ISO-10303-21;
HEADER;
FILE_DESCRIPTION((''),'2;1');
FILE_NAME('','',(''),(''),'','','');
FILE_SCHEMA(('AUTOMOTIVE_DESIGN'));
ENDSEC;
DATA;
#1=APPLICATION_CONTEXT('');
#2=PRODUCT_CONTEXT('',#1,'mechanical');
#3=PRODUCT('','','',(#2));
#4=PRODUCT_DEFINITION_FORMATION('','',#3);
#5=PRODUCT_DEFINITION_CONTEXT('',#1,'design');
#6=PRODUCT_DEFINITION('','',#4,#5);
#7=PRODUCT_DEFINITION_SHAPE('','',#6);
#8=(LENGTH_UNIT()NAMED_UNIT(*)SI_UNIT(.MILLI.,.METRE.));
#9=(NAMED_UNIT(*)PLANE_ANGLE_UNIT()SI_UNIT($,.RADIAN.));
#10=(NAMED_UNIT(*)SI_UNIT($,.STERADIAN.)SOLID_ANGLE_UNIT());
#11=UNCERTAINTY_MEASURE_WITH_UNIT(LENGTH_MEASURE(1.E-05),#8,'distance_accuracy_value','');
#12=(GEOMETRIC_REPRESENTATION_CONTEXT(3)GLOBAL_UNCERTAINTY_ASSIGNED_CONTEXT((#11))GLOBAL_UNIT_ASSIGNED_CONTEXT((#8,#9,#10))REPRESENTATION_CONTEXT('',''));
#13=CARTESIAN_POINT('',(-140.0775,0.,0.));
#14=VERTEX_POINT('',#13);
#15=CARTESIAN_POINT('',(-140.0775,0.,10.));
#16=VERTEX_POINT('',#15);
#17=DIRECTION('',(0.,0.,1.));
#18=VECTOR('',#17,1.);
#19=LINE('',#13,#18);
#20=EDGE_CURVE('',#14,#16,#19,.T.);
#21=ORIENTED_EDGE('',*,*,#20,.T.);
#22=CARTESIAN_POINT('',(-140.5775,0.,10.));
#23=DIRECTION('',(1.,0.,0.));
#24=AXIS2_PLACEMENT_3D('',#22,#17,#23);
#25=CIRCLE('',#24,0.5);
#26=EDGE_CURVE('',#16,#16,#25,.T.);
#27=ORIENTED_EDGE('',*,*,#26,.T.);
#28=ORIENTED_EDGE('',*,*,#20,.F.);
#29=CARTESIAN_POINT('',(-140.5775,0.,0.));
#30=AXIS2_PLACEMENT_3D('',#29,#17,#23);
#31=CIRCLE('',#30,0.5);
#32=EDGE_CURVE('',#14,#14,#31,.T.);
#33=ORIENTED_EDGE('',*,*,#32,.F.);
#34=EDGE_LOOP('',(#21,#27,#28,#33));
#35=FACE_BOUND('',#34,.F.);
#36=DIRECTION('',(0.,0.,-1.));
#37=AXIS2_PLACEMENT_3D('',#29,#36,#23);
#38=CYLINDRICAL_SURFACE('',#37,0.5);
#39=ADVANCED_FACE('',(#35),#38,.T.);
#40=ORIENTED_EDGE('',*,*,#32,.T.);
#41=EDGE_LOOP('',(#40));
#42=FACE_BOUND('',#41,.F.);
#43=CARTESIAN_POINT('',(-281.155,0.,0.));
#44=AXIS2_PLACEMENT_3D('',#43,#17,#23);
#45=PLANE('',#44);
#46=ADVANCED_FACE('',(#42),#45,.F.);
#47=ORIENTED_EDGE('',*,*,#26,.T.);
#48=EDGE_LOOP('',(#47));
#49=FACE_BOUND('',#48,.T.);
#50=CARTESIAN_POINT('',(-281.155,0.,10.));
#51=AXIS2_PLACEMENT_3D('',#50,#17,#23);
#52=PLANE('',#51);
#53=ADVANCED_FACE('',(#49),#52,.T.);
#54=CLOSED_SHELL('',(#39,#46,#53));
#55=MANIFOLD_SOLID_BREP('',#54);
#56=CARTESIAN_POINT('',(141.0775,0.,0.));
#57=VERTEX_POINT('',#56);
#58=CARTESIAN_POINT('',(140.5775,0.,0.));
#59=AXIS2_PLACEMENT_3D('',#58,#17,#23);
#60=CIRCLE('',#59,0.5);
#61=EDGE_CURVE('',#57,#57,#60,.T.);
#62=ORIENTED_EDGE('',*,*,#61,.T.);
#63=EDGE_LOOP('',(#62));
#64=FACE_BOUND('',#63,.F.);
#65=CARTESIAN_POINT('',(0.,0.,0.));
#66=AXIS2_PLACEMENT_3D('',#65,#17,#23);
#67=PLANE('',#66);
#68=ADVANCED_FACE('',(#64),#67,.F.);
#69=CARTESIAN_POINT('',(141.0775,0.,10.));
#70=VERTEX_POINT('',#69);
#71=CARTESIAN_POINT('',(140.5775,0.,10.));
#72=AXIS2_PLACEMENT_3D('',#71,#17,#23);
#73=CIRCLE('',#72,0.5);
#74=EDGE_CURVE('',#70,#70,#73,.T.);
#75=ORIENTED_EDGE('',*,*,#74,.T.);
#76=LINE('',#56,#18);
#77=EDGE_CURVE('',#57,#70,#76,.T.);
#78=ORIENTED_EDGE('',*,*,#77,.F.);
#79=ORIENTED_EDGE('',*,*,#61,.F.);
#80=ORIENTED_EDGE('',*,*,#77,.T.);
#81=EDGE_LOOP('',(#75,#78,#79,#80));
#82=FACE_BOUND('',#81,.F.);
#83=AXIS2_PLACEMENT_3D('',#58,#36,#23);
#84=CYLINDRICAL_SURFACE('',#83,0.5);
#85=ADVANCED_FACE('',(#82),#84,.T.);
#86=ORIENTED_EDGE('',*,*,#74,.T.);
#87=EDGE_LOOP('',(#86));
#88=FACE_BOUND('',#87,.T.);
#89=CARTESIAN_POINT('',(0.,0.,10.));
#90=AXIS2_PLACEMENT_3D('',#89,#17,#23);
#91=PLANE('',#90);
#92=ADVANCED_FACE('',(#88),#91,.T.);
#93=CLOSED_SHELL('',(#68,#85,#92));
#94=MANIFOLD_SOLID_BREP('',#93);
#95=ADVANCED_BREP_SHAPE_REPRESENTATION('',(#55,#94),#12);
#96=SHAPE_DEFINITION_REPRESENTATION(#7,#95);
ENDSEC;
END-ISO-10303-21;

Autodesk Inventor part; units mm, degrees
ref_plane "YZ Plane" through (0, 0, 0) normal (1, 0, 0) x (0, 1, 0)
ref_plane "XZ Plane" through (0, 0, 0) normal (0, 1, 0) x (-1, 0, 0)
ref_plane "XY Plane" through (0, 0, 0) normal (0, 0, 1) x (1, 0, 0)
sketch "Sketch1" plane through (0, 0, 0) normal (0, 0, 1) x (1, 0, 0)
  line L0 (-200.5775, -9.75) -> (200.5775, -9.75)
  line L1 (200.5775, -9.75) -> (200.5775, 9.75)
  line L2 (200.5775, 9.75) -> (-200.5775, 9.75)
  line L3 (-200.5775, 9.75) -> (-200.5775, -9.75)
  line L4 (-200.5775, -9.75) -> (200.5775, 9.75) construction
  line L5 (200.5775, -9.75) -> (-200.5775, 9.75) construction
  point P0 (0, 0)
  dimension "d0" = 401.155
  dimension "d1" = 19.5
sketch "Lamello" plane through (0, 0, 0) normal (0, 0, 1) x (1, 0, 0)
  line L0 (48.383, 141.1858) -> (42.783, 141.1858)
  line L1 (40.583, 139.6858) -> (40.583, 114.6858)
  line L2 (42.783, 113.1858) -> (48.383, 113.1858)
  line L3 (50.583, 114.6858) -> (50.583, 139.6858)
  line L4 (50.583, 139.6858) -> (48.383, 141.1858)
  line L5 (40.583, 139.6858) -> (42.783, 141.1858)
  line L6 (40.583, 114.6858) -> (42.783, 113.1858)
  line L7 (50.583, 114.6858) -> (48.383, 113.1858)
  line L8 (50.583, 127.1858) -> (40.583, 127.1858)
  line L9 (45.583, 141.1858) -> (45.583, 113.1858)
  point P0 (45.583, 127.1858)
  point P1 (50.583, 141.1858)
  point P2 (40.583, 113.1858)
  point P3 (40.583, 141.1858)
  point P4 (50.583, 113.1858)
  dimension "d54" = 10
  dimension "d55" = 28
  dimension "d56" = 1.5
  dimension "d57" = 2.2
  dimension "d58" = 1.5
  dimension "d59" = 2.2
  dimension "d60" = 1.5
  dimension "d61" = 2.2
  dimension "d62" = 1.5
  dimension "d63" = 2.2
sketch "Sketch2" plane through (0, 0, 0) normal (0, 0, 1) x (1, 0, 0)
  circle A0 centre (140.5775, 0) radius 0.5
  line L0 (200.5775, 9.75) -> (-200.5775, 9.75) projected
  line L1 (-200.5775, -9.75) -> (200.5775, -9.75) projected
  line L2 (0, -131.2) -> (0, 80.2) projected
  line L3 (200.5775, -9.75) -> (200.5775, 9.75) projected
  point P0 (0, 0)
  dimension "d4" = 1
  dimension "d50" = 9.75
  dimension "d70" = 60
extrude "Extrusion1" add sketch "Sketch2" along normal blind 10 contours A0
pattern_linear "Clamex Array" count 2 spacing 281.155 along (-1, 0, 0) of "Extrusion1"
sketch "Edge-Side Connection" plane through (0, 0, 0) normal (1, 0, 0) x (0, 1, 0)
  line L0 (-50, 0) -> (50, 0)
  line L1 (50, 0) -> (50, 19)
  line L2 (50, 19) -> (-50, 19)
  line L3 (-50, 19) -> (-50, 0)
  line L4 (-9.75, 0) -> (-9.75, -40)
  line L5 (-9.75, -40) -> (9.75, -40)
  line L6 (9.75, -40) -> (9.75, 0)
  line L7 (0, -14) -> (0, 14) construction
  line L8 (9.75, 0) -> (5, 0)
  line L9 (-5, -12.5) -> (-9.75, -12.5)
  point P0 (0, 0)
  point P1 (9.75, 0)
  point P2 (0, 0)
  dimension "d26" = 100
  dimension "d27" = 19
  dimension "d28" = 40
  dimension "OtherSideRefYCoordinate" = 9.75
  dimension "ReferenceCoord" = 9.75
  dimension "d49" = 90
sketch "Edge-Edge Connection" plane through (0, 0, 0) normal (1, 0, 0) x (0, 1, 0)
  line L0 (-101, 19) -> (19, 19)
  line L1 (19, 19) -> (0, 0)
  line L2 (0, 0) -> (-101, 0)
  line L3 (-101, 0) -> (-101, 19)
  line L4 (19, 19) -> (19, -101)
  line L5 (0, 0) -> (0, -101)
  line L6 (0, -101) -> (19, -101)
  line L7 (1.28, 1.28) -> (0, 0)
  line L8 (-0.4878, 17.1899) -> (-0.4878, 19)
  point P0 (4.8155, 4.8155)
  dimension "d51" = 19
  dimension "d53" = 19
  dimension "EdgeEdgeReferenceCoord" = 6.8101
  dimension "d65" = 90
  dimension "d66" = 120
  dimension "d67" = 120
  dimension "EdgeEdgeOtherSideRefYCoordinate" = 20.0599
equation "\"d9\" = Step"
equation "\"d27\" = NestleBoardT"
equation "\"d0\" = ContactPatchWidth"
equation "\"d1\" = ContactPatchHeight"
equation "\"ContactPatchWidth\" = 401.155"
equation "\"ContactPatchHeight\" = 19.5"
equation "\"PlacingWidth\" = 281.155"
equation "\"MinDistBetween\" = 96"
equation "\"Step\" = 281.155"
equation "\"Y_Coord\" = 9.75"
equation "\"NestleBoardT\" = 19"
equation "\"PillarBoardT\" = 19"
equation "\"AngleForYPositionCalc\" = 90deg"
equation "\"ConnectionAngle\" = 90deg"
equation "\"ShiftY\" = 0"
properties part number "Clamex Joint11800"
